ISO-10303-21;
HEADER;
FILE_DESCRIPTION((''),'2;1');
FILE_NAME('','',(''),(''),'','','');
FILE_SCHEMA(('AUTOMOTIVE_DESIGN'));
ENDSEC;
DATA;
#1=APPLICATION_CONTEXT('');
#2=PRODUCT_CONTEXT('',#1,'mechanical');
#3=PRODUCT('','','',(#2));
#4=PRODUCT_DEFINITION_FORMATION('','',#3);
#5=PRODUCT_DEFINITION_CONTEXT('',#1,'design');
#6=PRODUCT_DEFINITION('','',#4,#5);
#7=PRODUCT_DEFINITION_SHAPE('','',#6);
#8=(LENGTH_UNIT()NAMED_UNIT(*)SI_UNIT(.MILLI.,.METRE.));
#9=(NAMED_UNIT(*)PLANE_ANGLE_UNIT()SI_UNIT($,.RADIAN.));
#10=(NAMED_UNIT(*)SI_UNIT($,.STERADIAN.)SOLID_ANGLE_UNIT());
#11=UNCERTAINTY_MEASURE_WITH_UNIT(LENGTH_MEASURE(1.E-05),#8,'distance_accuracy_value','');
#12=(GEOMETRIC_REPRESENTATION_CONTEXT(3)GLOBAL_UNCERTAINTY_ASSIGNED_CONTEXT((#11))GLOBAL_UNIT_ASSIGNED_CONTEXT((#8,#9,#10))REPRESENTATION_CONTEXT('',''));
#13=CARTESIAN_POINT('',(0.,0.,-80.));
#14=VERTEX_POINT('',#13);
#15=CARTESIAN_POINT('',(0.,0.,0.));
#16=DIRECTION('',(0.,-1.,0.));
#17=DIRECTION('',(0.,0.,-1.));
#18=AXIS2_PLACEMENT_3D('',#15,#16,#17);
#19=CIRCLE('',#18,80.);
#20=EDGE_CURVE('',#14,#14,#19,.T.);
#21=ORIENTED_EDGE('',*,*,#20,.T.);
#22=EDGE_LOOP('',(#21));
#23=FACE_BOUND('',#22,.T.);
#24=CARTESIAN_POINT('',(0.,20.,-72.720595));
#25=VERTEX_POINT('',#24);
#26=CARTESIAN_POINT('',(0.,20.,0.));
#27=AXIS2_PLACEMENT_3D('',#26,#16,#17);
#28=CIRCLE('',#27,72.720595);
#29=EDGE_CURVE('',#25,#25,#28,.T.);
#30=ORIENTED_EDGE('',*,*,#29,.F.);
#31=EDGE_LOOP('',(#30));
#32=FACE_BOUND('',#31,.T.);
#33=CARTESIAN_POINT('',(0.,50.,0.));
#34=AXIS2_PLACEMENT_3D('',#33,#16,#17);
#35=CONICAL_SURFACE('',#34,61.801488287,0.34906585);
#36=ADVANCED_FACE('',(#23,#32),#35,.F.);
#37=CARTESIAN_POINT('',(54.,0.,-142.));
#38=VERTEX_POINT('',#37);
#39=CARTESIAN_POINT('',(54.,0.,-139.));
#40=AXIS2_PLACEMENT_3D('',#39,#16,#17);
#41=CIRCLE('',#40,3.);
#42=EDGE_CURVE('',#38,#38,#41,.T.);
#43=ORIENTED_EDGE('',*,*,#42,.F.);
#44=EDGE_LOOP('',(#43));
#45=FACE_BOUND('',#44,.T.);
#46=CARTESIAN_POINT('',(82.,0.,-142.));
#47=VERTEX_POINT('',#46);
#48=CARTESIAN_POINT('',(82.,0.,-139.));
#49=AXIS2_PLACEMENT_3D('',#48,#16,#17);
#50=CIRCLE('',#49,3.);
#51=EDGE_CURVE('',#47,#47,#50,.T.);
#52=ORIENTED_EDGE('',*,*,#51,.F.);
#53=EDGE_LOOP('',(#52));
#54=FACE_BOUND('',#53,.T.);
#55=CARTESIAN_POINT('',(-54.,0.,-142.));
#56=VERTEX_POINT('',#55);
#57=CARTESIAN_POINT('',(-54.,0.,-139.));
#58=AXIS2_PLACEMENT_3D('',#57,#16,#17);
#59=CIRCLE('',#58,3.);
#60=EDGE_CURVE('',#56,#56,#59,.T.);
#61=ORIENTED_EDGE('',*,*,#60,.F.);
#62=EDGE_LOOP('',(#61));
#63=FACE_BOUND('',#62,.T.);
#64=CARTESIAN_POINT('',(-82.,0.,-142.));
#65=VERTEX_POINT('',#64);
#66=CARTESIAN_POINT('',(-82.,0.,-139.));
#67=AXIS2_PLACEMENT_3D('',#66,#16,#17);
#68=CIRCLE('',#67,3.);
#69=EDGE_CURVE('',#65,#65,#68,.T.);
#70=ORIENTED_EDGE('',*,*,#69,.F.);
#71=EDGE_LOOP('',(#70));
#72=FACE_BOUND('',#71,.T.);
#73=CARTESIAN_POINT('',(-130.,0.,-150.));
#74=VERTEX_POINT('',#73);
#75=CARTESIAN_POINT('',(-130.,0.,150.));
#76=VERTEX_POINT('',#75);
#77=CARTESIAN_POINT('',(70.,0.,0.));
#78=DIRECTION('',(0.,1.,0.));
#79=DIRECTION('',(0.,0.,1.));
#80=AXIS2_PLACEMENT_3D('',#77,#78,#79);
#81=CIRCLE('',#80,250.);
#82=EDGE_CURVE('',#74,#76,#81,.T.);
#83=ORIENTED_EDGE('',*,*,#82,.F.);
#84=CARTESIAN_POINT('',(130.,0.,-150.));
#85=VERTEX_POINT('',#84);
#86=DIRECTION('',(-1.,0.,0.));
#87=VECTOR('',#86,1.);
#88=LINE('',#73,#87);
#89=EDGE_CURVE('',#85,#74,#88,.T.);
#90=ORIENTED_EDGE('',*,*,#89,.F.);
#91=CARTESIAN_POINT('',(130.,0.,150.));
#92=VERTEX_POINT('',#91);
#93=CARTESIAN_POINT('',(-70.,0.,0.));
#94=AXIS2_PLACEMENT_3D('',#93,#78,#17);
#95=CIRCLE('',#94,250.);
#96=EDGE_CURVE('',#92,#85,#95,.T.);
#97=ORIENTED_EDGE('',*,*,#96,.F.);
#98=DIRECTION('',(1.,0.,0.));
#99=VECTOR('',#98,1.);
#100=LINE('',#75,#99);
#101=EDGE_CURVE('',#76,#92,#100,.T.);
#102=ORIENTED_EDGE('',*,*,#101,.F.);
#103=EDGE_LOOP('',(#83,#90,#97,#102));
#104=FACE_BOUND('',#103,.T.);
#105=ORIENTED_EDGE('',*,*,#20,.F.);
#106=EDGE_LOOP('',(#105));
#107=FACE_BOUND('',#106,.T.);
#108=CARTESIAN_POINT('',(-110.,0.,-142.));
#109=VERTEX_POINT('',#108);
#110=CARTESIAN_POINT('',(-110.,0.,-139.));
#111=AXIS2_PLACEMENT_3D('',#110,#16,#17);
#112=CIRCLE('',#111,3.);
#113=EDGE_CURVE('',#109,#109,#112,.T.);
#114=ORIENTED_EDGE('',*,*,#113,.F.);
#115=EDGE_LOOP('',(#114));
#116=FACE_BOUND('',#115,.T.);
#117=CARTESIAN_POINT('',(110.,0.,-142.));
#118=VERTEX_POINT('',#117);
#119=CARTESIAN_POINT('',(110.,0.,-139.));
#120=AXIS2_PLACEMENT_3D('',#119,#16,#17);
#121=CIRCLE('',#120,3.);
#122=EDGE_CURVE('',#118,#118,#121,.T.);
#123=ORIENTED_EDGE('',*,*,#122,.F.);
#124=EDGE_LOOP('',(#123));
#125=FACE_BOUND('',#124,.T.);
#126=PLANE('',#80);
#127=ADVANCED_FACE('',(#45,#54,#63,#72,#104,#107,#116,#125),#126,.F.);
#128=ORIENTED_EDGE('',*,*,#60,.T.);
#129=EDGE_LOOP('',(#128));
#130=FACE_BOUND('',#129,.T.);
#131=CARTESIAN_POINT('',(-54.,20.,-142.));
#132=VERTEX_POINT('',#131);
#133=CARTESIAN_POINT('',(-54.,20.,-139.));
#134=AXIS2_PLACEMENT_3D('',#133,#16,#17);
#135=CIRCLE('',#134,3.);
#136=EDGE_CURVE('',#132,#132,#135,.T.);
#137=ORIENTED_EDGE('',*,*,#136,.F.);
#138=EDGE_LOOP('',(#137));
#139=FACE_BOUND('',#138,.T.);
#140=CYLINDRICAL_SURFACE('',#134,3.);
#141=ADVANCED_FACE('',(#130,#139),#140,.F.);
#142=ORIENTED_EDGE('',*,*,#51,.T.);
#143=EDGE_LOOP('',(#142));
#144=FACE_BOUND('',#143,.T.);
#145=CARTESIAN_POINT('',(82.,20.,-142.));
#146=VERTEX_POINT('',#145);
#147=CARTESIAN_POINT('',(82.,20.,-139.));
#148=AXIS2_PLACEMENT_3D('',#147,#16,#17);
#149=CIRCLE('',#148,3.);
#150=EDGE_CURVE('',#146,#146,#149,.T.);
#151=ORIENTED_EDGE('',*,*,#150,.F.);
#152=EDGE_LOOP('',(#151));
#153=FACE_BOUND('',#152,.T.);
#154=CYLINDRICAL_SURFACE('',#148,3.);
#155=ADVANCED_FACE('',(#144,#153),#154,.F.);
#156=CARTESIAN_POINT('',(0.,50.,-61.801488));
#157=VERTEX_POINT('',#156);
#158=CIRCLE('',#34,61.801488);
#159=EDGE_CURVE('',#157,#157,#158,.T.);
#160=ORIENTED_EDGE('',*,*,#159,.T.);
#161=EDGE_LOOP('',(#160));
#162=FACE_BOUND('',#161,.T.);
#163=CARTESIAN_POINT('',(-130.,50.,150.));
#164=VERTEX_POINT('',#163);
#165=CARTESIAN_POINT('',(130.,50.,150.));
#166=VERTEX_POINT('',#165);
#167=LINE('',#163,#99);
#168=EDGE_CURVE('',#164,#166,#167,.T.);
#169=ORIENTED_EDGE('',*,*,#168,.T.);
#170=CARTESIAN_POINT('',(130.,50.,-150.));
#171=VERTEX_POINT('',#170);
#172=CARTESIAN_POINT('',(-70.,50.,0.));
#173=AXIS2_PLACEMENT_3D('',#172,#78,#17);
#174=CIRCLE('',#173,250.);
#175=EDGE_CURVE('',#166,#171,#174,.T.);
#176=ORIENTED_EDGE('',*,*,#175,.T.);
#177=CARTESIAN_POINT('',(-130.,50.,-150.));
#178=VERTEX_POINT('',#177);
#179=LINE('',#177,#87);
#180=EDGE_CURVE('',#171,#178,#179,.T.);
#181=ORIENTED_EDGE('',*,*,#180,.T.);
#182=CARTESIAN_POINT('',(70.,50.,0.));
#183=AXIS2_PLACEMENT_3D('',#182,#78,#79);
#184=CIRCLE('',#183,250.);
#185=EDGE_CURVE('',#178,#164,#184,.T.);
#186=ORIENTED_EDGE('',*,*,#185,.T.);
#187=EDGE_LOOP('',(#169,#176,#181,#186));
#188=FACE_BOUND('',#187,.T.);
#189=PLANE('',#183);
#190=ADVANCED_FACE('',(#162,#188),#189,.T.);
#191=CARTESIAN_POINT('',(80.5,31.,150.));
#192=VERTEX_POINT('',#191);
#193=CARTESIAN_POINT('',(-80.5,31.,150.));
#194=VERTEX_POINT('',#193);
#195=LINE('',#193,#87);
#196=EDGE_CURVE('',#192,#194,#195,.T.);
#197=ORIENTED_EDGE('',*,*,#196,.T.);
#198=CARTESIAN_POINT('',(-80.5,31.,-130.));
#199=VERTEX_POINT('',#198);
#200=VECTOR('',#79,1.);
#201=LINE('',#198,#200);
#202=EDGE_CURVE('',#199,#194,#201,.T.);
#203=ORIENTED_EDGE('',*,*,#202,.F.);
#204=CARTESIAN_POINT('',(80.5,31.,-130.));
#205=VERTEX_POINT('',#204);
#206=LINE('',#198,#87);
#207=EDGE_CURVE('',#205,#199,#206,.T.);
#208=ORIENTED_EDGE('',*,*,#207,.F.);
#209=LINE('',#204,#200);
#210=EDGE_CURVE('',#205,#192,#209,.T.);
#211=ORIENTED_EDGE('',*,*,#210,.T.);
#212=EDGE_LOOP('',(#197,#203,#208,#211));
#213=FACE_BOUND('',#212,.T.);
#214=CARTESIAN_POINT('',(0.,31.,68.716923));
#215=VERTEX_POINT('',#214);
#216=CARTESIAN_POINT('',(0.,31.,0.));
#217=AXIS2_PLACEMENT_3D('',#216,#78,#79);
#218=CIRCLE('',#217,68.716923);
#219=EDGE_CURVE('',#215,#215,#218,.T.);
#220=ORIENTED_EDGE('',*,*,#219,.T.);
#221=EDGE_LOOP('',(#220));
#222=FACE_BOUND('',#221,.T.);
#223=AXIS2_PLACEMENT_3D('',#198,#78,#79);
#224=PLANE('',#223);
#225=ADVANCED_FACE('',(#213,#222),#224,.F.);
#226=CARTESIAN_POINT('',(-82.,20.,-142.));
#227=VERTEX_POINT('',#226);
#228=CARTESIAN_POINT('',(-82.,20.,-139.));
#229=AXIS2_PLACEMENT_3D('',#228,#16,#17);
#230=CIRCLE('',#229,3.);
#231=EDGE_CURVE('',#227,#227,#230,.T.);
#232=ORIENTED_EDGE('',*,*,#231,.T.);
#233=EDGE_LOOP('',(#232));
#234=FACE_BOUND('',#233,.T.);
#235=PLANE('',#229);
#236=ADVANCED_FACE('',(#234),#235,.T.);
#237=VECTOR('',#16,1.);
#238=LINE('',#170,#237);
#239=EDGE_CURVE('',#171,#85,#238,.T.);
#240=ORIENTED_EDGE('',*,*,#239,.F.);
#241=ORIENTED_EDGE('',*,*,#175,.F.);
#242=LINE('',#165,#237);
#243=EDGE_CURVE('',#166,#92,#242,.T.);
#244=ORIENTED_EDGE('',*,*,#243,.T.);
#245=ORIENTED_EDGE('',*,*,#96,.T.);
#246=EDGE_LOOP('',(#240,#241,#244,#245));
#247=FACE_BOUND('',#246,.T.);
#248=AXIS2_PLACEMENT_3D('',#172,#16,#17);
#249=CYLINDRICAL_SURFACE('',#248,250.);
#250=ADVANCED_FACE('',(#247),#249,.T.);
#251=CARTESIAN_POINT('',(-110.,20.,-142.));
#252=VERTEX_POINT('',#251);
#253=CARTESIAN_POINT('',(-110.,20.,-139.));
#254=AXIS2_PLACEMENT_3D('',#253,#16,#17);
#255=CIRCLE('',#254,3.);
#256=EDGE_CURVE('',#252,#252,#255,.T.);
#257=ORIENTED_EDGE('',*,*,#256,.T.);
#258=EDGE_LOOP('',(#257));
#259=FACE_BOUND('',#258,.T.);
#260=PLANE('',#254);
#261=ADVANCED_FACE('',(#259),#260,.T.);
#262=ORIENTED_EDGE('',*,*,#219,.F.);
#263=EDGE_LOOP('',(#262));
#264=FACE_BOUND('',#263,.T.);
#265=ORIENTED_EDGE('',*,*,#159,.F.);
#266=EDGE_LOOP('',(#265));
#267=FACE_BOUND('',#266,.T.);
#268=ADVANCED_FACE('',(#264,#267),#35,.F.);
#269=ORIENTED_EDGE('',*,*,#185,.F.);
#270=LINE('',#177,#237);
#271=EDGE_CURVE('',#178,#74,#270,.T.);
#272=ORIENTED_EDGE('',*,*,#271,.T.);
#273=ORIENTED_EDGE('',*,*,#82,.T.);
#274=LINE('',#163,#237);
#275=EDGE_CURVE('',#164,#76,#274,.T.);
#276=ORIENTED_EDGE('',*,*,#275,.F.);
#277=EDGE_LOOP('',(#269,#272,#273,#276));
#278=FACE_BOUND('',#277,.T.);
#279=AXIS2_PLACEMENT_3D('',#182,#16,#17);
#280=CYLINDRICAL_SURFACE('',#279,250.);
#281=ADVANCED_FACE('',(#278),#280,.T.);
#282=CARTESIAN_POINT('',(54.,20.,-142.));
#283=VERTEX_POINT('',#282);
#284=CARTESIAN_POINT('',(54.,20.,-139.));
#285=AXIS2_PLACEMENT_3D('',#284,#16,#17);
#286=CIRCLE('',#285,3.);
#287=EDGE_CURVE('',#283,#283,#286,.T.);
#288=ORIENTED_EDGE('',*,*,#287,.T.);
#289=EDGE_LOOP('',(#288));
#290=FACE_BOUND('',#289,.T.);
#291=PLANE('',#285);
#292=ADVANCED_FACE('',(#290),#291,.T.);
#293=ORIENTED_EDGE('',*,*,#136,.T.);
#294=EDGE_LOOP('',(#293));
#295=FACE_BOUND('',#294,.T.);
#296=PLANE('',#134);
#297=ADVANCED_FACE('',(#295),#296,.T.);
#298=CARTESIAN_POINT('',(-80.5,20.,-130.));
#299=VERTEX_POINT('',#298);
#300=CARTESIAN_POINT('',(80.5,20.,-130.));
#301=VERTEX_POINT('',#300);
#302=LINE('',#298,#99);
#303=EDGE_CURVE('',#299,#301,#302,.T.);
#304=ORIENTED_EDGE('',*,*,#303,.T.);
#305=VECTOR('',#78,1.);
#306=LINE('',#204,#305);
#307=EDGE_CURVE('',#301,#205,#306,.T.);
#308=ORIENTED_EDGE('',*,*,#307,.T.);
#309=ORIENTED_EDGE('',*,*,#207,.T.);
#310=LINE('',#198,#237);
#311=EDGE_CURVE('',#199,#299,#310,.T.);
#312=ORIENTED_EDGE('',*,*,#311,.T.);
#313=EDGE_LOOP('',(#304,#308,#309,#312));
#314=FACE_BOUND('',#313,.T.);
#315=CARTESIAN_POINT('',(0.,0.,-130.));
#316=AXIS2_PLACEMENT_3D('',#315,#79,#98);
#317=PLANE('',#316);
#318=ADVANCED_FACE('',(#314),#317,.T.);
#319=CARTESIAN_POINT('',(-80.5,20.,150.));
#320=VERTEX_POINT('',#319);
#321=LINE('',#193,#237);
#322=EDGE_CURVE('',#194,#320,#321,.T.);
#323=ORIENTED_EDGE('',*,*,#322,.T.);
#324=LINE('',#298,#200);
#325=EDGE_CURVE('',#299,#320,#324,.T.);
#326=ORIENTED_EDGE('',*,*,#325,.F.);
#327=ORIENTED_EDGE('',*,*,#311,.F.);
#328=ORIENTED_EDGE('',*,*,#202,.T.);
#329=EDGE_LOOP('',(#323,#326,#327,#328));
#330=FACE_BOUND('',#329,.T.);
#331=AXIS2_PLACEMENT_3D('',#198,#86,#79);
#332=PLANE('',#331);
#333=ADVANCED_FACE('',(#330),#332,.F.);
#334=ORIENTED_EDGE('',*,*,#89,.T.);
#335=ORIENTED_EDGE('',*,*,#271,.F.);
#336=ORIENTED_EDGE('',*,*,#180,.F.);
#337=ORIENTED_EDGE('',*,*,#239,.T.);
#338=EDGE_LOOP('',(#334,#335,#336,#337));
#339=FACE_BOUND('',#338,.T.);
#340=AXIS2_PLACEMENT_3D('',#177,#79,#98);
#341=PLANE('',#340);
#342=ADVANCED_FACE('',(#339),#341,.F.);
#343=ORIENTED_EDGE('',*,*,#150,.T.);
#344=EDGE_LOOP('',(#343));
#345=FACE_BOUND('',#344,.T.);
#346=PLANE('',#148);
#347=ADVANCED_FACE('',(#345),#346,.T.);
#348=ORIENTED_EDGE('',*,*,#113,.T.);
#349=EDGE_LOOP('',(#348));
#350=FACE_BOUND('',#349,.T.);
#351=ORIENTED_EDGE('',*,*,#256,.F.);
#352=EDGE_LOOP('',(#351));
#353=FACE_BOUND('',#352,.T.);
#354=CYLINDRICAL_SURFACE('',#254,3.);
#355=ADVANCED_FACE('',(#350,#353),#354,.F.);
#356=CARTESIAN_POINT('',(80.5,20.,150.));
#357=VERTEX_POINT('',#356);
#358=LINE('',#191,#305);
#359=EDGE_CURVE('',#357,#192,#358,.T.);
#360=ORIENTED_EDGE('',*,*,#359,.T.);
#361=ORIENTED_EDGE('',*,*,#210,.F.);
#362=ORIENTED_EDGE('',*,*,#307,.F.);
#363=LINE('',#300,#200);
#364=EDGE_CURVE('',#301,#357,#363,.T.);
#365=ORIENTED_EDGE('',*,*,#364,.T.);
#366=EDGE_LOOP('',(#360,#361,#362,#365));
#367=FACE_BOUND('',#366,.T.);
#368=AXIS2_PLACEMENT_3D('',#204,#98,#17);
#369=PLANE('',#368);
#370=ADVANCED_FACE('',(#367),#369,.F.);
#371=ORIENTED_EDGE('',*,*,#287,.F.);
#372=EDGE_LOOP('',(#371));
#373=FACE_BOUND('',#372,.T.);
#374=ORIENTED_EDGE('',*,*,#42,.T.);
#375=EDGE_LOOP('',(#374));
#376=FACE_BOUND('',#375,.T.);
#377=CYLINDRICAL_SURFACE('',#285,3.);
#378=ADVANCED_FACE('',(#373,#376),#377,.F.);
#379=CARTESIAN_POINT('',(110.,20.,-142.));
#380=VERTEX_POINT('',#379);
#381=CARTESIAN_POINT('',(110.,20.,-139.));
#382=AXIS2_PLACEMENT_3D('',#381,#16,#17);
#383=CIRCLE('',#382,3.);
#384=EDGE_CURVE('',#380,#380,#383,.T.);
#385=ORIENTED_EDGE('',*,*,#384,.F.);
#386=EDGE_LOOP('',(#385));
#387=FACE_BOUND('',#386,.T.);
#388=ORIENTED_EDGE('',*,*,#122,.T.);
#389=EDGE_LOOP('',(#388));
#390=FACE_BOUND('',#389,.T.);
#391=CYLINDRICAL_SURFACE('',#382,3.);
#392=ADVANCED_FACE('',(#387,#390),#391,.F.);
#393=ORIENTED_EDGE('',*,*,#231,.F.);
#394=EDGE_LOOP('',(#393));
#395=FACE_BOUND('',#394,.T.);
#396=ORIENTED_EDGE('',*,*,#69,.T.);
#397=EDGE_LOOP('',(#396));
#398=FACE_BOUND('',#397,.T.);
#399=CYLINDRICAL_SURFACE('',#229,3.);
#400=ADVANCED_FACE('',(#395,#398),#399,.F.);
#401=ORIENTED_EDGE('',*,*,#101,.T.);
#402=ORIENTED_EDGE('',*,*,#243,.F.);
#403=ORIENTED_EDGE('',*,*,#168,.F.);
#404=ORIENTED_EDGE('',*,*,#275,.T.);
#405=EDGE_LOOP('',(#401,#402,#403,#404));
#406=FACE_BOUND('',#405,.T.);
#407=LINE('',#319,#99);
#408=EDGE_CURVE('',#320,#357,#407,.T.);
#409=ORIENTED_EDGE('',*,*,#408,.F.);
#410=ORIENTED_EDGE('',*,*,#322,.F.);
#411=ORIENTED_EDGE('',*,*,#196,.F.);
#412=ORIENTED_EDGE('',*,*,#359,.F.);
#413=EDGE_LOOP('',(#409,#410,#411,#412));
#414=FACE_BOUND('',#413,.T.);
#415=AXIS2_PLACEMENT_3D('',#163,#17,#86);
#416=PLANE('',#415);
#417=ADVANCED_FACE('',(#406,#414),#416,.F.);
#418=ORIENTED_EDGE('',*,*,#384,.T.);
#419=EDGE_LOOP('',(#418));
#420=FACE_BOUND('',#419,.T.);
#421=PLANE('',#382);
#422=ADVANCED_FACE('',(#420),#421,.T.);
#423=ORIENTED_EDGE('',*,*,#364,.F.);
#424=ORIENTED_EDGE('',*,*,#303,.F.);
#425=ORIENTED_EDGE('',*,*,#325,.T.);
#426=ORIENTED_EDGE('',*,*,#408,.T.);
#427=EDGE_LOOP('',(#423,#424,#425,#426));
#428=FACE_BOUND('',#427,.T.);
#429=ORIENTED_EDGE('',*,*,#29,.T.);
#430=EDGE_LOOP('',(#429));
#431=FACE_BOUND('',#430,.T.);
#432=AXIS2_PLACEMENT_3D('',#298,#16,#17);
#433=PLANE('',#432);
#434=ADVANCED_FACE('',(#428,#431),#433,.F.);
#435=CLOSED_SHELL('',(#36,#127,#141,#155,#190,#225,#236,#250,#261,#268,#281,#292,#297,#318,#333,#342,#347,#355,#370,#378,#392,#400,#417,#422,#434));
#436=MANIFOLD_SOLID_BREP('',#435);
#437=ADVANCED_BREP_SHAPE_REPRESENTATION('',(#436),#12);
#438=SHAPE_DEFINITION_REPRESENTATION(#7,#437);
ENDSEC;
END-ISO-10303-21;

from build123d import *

# Parameters (mm, degrees)
BOSS_EXTRUDE1_DEPTH  = 50
CARBON_FILTER_HOLE_W = 161
CARBON_FILTER_HOLE_H = 11
CUT_EXTRUDE3_DEPTH   = 280
SKETCH1_R            = 3
CUT_EXTRUDE4_DEPTH   = 20


with BuildPart() as part:
    # Lid case → Boss-Extrude1 (new body)
    with BuildSketch(Plane(origin=(0, 0, 0), x_dir=(1, 0, 0), z_dir=(0, 1, 0))):
        with BuildLine():
            Line((-130, 150), (130, 150))
            ThreePointArc((130, 150), (180, 0), (130, -150))
            Line((130, -150), (-130, -150))
            ThreePointArc((-130, -150), (-180, 0), (-130, 150))
        make_face()
    extrude(amount=BOSS_EXTRUDE1_DEPTH)

    # Ventilation → Cut-Revolve1 (revolve, cut)
    with BuildSketch(Plane.XY, mode=Mode.PRIVATE) as cut_revolve1_sk:
        Polygon((0, 50), (0, 0), (-80, 0), (-61.801488287, 50), align=None)
    revolve(cut_revolve1_sk.sketch.rotate(Axis((0, -54.373231572, 0), (0, 1, 0)), 270), axis=Axis((0, -54.373231572, 0), (0, 1, 0)), mode=Mode.SUBTRACT)

    # Carbon filter hole → Cut-Extrude3 (cut)
    with BuildSketch(Plane.XY.offset(150)):
        with Locations((0, 25.5)):
            Rectangle(CARBON_FILTER_HOLE_W, CARBON_FILTER_HOLE_H)
    extrude(amount=-CUT_EXTRUDE3_DEPTH, mode=Mode.SUBTRACT)

    # Sketch1 → Cut-Extrude4 (cut)
    with BuildSketch(Plane.XZ):
        with Locations(Location((-110, -139, 0), (0, 0, 270))):
            Circle(SKETCH1_R)
        with Locations(Location((-82, -139, 0), (0, 0, 270))):
            Circle(SKETCH1_R)
        with Locations(Location((-54, -139, 0), (0, 0, 270))):
            Circle(SKETCH1_R)
        with Locations(Location((54, -139, 0), (0, 0, 270))):
            Circle(SKETCH1_R)
        with Locations(Location((82, -139, 0), (0, 0, 270))):
            Circle(SKETCH1_R)
        with Locations(Location((110, -139, 0), (0, 0, 270))):
            Circle(SKETCH1_R)
    extrude(amount=-CUT_EXTRUDE4_DEPTH, mode=Mode.SUBTRACT)


solid = part.part
